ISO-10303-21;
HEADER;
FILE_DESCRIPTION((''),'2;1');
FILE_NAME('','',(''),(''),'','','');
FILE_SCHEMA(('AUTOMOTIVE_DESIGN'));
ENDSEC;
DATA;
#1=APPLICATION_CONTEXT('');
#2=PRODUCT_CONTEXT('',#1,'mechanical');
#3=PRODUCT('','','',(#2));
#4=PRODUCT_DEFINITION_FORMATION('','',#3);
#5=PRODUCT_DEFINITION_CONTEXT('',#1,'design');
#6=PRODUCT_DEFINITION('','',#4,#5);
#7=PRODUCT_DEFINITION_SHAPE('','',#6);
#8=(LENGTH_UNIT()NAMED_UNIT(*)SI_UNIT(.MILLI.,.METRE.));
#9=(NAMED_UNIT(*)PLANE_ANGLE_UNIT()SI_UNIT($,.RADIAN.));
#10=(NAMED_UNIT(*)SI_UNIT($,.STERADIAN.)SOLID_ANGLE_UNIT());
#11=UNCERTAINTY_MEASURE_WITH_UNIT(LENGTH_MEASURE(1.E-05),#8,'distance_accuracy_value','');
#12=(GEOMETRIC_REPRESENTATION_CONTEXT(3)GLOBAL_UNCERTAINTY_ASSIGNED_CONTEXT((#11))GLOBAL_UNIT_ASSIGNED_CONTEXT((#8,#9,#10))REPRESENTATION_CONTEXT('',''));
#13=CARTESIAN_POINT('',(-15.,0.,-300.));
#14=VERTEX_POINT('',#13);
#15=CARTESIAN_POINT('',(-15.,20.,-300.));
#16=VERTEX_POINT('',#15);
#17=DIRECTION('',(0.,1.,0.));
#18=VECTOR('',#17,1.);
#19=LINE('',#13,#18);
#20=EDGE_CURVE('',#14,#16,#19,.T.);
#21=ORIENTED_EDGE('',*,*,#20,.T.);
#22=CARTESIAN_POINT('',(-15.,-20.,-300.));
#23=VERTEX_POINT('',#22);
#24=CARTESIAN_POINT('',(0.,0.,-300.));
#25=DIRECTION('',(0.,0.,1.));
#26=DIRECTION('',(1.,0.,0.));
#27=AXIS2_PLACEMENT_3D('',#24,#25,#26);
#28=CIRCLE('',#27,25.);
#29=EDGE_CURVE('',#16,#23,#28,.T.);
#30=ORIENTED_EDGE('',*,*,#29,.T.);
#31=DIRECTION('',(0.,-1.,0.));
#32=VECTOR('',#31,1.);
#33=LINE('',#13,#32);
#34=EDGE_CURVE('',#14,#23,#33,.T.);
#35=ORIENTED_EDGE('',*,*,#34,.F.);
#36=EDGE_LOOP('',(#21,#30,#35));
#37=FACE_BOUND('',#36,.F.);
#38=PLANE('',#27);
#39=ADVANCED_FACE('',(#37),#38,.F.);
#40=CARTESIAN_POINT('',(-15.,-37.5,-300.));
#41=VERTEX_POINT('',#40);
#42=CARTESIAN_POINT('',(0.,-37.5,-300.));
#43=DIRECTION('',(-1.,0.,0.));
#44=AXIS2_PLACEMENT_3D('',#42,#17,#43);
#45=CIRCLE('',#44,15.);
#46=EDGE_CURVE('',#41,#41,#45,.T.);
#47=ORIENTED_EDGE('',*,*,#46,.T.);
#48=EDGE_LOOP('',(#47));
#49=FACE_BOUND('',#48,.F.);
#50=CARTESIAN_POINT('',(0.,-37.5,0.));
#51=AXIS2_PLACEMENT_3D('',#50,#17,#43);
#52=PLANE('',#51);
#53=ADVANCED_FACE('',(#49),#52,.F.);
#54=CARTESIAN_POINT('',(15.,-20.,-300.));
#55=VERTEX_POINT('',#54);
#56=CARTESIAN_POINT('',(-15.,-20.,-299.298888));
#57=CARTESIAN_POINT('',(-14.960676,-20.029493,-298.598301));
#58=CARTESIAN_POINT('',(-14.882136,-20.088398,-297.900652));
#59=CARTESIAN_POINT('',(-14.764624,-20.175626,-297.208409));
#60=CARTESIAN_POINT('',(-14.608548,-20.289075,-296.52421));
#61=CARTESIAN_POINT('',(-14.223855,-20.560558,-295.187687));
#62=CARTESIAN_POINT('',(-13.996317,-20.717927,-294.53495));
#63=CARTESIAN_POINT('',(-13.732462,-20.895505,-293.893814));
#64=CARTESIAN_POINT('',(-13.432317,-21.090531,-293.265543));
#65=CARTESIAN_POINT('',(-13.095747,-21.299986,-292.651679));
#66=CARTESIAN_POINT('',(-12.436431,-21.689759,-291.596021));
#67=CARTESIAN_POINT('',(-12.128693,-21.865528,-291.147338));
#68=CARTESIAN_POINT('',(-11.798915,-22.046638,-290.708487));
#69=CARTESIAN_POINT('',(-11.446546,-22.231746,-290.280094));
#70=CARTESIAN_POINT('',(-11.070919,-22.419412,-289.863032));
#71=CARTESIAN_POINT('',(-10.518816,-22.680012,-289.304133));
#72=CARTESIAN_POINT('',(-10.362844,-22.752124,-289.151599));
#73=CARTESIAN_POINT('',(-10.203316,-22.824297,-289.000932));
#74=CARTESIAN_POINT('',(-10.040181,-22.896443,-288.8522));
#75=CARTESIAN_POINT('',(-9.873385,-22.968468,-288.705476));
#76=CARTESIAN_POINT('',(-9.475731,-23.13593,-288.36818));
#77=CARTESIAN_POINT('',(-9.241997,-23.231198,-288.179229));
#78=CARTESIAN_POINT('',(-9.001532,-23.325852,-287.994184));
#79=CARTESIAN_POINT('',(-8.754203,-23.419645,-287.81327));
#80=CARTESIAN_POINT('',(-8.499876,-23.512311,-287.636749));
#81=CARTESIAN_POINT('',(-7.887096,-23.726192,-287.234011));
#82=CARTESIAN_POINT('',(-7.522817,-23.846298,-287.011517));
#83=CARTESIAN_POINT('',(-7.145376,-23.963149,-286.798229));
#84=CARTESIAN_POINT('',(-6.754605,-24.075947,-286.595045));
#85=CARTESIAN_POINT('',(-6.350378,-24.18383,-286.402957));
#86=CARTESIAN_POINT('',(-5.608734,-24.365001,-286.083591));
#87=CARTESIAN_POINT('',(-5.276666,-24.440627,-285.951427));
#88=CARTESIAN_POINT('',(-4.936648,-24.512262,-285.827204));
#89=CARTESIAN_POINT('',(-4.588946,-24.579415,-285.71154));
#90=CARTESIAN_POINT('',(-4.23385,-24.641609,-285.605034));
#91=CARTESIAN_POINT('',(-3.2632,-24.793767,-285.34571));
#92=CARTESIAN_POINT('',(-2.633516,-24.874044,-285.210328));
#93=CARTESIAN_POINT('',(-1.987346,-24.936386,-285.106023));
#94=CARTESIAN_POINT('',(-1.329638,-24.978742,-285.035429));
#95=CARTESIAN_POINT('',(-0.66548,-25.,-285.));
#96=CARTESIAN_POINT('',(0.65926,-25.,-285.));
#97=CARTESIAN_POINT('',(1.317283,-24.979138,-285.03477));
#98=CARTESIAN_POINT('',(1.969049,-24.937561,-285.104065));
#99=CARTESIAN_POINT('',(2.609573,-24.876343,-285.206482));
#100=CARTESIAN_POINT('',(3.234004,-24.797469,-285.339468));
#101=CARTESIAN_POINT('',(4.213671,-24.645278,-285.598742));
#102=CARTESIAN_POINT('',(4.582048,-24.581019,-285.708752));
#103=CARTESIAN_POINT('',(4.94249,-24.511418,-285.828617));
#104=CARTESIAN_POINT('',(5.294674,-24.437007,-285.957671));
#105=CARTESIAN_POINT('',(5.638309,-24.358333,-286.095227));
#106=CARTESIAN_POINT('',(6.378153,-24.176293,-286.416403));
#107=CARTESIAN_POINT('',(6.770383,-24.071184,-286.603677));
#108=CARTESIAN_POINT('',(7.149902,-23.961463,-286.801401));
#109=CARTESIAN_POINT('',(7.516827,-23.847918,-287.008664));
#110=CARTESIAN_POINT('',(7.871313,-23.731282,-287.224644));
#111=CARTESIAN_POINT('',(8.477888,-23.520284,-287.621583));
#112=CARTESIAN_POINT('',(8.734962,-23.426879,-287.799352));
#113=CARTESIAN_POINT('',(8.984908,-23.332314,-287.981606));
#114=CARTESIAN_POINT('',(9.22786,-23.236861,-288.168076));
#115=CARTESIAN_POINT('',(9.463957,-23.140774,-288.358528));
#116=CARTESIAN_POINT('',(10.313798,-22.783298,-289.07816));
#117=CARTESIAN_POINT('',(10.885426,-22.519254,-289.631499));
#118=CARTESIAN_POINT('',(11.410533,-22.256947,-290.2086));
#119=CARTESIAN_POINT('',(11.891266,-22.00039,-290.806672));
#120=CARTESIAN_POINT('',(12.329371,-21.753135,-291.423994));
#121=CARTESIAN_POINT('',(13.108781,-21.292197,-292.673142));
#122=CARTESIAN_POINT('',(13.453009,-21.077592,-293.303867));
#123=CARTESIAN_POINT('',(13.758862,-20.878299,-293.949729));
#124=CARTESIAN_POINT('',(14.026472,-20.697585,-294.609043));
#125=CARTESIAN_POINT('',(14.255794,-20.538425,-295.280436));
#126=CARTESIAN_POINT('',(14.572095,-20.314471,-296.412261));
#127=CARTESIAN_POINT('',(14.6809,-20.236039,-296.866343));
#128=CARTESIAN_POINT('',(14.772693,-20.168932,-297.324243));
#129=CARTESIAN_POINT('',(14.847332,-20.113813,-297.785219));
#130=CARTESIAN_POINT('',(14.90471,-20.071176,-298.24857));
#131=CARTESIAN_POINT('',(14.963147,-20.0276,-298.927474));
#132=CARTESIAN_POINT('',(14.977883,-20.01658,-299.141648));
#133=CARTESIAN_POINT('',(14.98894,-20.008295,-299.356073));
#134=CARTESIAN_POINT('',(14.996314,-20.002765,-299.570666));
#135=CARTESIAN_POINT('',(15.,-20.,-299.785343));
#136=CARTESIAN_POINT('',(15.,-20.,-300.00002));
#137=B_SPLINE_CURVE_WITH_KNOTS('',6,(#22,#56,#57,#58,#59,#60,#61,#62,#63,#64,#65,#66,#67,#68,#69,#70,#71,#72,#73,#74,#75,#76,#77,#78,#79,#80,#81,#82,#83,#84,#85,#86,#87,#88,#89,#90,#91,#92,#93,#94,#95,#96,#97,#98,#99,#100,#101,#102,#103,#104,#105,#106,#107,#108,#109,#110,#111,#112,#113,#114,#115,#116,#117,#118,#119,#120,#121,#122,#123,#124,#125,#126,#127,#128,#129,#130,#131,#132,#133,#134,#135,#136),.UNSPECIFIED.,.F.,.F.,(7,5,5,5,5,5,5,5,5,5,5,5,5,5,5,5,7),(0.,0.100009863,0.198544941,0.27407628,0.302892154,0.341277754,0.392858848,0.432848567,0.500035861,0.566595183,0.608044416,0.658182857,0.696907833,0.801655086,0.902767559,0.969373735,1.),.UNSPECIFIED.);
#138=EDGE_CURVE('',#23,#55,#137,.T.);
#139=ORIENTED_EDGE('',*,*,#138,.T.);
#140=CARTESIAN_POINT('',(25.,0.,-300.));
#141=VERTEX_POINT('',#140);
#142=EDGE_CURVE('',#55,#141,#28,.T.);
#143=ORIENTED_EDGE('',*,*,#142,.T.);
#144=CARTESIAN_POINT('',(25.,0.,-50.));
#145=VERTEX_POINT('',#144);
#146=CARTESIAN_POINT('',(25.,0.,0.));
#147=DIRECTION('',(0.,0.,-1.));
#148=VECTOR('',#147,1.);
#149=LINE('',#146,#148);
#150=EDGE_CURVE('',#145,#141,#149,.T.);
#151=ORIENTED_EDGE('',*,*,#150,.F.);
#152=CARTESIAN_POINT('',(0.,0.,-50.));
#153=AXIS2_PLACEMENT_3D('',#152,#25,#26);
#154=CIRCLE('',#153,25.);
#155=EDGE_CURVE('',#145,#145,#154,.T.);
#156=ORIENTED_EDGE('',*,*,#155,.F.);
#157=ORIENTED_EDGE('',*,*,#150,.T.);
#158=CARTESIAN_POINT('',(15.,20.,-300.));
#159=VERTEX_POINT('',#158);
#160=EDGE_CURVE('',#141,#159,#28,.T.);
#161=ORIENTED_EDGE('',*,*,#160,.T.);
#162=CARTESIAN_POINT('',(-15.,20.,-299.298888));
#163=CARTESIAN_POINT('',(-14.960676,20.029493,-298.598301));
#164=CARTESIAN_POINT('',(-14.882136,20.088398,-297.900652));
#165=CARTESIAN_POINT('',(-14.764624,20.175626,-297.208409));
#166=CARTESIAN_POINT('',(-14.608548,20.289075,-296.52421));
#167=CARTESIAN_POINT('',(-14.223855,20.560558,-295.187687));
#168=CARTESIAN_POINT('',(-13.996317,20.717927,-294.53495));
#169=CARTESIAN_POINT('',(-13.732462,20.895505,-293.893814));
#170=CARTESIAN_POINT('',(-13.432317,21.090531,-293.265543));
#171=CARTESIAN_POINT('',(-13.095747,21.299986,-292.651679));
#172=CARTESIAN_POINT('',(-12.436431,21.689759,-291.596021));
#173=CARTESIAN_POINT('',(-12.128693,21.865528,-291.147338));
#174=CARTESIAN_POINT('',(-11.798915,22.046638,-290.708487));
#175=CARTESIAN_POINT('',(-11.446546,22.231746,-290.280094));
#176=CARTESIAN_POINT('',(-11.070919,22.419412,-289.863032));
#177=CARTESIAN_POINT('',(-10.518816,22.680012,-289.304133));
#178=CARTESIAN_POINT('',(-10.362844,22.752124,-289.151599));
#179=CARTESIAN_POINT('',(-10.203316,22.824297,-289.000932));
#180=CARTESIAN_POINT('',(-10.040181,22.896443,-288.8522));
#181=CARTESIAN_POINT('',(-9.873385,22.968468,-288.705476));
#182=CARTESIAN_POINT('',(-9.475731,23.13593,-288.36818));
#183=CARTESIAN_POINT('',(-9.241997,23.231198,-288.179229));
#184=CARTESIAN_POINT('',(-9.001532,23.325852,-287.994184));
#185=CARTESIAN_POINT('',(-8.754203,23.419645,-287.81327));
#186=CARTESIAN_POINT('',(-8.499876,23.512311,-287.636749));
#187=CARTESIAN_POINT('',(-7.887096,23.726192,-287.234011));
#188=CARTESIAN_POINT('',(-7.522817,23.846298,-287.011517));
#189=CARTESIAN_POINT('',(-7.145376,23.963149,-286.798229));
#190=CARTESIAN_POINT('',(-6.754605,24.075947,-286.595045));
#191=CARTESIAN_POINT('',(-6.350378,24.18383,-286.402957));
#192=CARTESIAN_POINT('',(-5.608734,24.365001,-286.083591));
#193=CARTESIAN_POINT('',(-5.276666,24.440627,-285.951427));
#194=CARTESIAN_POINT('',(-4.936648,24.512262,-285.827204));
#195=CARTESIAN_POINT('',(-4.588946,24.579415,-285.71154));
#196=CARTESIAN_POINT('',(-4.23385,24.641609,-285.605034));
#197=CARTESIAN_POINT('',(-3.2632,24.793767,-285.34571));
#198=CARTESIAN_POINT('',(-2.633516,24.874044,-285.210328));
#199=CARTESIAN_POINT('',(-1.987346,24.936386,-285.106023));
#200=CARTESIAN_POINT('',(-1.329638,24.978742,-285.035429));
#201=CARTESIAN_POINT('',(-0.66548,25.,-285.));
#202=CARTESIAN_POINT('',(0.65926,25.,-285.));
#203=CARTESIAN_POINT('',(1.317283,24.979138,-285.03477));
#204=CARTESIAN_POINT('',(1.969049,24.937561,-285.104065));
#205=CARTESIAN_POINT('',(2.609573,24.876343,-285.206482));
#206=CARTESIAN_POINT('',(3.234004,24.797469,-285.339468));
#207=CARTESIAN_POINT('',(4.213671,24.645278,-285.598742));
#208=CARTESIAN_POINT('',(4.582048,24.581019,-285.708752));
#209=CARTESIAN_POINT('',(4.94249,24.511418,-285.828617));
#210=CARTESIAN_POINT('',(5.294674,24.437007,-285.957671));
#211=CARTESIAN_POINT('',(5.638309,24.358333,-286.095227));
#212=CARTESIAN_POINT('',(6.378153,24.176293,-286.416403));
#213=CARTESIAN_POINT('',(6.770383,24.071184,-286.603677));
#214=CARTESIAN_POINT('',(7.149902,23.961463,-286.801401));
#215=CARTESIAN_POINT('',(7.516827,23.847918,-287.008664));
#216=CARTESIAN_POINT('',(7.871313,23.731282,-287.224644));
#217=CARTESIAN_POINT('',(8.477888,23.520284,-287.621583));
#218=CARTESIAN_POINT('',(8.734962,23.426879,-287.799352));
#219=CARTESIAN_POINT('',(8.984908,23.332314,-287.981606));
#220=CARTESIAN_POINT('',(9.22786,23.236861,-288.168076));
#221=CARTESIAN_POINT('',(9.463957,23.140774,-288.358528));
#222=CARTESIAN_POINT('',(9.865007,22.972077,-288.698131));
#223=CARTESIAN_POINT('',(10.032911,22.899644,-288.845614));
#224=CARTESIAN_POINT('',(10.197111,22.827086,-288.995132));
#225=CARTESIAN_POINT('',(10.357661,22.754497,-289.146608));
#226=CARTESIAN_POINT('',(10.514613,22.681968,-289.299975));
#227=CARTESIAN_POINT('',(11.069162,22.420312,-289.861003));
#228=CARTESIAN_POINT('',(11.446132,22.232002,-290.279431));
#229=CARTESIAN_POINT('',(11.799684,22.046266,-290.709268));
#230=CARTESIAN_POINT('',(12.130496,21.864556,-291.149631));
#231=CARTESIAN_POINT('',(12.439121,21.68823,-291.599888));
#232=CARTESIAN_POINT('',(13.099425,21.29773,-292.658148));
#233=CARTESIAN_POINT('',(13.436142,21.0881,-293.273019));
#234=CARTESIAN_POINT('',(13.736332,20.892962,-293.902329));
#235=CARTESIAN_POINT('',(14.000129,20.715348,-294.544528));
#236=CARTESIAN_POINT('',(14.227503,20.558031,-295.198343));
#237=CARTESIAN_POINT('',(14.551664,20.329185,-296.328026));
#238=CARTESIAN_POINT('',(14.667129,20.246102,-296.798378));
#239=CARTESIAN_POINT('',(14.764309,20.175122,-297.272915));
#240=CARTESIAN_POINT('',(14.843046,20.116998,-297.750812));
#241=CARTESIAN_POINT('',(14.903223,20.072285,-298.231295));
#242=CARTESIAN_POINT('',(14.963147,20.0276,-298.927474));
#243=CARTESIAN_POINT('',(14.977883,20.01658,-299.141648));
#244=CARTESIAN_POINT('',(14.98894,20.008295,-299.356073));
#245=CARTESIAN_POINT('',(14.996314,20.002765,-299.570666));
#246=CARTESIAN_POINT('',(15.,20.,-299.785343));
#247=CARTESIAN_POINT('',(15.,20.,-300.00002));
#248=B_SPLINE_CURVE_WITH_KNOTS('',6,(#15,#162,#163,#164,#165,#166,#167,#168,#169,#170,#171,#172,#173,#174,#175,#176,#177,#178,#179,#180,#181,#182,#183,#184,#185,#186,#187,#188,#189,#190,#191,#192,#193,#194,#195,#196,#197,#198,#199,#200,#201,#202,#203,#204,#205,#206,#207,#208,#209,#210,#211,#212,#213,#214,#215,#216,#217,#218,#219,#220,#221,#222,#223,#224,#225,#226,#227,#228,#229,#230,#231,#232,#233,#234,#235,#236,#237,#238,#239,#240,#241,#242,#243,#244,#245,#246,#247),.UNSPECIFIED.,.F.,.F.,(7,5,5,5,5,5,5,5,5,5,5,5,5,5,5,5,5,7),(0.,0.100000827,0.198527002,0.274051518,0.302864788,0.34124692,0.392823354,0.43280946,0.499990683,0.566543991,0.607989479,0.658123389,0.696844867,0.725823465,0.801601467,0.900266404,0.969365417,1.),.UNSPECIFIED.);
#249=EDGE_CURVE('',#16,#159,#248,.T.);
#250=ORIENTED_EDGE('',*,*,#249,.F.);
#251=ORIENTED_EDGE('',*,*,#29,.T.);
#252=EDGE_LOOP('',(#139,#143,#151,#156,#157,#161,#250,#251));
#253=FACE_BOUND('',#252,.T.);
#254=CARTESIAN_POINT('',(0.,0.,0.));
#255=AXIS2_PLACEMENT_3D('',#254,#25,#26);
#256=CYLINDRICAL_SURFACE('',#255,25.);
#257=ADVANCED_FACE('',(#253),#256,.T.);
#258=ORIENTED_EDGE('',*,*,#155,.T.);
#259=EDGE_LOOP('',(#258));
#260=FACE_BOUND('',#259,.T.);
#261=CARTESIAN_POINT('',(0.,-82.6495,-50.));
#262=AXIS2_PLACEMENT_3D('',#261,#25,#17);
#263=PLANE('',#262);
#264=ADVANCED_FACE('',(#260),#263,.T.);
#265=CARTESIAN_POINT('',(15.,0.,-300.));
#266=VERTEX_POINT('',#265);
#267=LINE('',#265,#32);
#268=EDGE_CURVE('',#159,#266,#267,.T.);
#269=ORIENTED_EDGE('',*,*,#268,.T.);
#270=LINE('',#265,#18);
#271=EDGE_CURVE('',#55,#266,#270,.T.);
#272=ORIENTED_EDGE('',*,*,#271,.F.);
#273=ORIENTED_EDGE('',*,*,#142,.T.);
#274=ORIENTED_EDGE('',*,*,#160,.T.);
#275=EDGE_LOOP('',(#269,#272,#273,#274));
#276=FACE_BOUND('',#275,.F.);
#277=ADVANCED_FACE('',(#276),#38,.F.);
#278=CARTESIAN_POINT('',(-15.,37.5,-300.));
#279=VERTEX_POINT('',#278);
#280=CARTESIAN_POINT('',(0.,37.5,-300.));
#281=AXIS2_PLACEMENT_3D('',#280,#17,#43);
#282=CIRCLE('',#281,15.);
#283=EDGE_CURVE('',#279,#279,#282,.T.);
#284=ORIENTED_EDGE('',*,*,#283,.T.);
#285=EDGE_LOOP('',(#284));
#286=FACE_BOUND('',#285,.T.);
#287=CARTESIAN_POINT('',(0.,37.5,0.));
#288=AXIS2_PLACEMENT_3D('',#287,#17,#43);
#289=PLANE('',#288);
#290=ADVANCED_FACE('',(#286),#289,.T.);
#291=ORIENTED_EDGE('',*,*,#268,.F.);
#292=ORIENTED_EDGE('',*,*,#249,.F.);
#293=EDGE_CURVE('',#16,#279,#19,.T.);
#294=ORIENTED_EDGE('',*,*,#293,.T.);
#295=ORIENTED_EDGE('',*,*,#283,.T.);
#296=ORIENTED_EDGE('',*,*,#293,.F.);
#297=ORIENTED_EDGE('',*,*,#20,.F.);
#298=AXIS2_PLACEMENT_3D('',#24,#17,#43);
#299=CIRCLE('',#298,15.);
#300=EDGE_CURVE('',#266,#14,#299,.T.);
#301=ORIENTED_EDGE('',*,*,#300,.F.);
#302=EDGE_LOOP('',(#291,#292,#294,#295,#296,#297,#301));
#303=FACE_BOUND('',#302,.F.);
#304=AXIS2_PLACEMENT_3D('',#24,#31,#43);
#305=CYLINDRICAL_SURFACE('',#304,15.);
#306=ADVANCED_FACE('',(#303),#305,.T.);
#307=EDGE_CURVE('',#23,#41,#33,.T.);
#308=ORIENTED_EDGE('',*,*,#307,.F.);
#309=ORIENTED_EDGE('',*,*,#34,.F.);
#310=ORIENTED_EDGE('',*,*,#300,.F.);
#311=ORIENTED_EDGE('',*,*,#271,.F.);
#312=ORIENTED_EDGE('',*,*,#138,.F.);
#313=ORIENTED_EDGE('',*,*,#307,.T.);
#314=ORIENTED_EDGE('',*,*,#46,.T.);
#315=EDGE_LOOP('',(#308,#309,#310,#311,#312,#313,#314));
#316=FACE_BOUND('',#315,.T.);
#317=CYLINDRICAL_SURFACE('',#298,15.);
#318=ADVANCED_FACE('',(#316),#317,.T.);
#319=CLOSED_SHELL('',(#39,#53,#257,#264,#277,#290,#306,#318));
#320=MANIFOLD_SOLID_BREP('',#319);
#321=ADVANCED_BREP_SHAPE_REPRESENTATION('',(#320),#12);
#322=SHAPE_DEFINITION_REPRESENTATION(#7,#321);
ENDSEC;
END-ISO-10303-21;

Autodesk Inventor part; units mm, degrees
ref_plane "作業平面1" through (0, 0, -300) normal (0, 0, 1) x (1, 0, 0)
sketch "スケッチ3" plane through (0, 0, 0) normal (0, 0, 1) x (1, 0, 0)
  circle A0 centre (0, 0) radius 25
  dimension "d7" = 50
extrude "押し出し2" add sketch "スケッチ3" against normal blind 300
sketch "スケッチ4" plane through (0, 0, 0) normal (1, 0, 0) x (0, 1, 0)
  line L0 (82.0674, 98.3645) -> (-82.6495, 98.3645)
  line L1 (-82.6495, 98.3645) -> (-82.6495, -50)
  line L2 (-82.6495, -50) -> (82.0674, -50)
  line L3 (82.0674, -50) -> (82.0674, 98.3645)
  line L4 (-115.5929, 0) -> (115.0108, 0) projected
  point P0 (0, 0)
  dimension "d10" = 50
extrude "押し出し3" cut sketch "スケッチ4" along normal mid plane 300
sketch "スケッチ5" plane through (0, 0, 0) normal (0, 1, 0) x (-1, 0, 0)
  circle A0 centre (0, -300) radius 15
  point P0 (0, 0)
  dimension "d13" = 30
  dimension "d14" = 300
extrude "押し出し4" add sketch "スケッチ5" along normal mid plane 75
properties part number "UpperlegP"
